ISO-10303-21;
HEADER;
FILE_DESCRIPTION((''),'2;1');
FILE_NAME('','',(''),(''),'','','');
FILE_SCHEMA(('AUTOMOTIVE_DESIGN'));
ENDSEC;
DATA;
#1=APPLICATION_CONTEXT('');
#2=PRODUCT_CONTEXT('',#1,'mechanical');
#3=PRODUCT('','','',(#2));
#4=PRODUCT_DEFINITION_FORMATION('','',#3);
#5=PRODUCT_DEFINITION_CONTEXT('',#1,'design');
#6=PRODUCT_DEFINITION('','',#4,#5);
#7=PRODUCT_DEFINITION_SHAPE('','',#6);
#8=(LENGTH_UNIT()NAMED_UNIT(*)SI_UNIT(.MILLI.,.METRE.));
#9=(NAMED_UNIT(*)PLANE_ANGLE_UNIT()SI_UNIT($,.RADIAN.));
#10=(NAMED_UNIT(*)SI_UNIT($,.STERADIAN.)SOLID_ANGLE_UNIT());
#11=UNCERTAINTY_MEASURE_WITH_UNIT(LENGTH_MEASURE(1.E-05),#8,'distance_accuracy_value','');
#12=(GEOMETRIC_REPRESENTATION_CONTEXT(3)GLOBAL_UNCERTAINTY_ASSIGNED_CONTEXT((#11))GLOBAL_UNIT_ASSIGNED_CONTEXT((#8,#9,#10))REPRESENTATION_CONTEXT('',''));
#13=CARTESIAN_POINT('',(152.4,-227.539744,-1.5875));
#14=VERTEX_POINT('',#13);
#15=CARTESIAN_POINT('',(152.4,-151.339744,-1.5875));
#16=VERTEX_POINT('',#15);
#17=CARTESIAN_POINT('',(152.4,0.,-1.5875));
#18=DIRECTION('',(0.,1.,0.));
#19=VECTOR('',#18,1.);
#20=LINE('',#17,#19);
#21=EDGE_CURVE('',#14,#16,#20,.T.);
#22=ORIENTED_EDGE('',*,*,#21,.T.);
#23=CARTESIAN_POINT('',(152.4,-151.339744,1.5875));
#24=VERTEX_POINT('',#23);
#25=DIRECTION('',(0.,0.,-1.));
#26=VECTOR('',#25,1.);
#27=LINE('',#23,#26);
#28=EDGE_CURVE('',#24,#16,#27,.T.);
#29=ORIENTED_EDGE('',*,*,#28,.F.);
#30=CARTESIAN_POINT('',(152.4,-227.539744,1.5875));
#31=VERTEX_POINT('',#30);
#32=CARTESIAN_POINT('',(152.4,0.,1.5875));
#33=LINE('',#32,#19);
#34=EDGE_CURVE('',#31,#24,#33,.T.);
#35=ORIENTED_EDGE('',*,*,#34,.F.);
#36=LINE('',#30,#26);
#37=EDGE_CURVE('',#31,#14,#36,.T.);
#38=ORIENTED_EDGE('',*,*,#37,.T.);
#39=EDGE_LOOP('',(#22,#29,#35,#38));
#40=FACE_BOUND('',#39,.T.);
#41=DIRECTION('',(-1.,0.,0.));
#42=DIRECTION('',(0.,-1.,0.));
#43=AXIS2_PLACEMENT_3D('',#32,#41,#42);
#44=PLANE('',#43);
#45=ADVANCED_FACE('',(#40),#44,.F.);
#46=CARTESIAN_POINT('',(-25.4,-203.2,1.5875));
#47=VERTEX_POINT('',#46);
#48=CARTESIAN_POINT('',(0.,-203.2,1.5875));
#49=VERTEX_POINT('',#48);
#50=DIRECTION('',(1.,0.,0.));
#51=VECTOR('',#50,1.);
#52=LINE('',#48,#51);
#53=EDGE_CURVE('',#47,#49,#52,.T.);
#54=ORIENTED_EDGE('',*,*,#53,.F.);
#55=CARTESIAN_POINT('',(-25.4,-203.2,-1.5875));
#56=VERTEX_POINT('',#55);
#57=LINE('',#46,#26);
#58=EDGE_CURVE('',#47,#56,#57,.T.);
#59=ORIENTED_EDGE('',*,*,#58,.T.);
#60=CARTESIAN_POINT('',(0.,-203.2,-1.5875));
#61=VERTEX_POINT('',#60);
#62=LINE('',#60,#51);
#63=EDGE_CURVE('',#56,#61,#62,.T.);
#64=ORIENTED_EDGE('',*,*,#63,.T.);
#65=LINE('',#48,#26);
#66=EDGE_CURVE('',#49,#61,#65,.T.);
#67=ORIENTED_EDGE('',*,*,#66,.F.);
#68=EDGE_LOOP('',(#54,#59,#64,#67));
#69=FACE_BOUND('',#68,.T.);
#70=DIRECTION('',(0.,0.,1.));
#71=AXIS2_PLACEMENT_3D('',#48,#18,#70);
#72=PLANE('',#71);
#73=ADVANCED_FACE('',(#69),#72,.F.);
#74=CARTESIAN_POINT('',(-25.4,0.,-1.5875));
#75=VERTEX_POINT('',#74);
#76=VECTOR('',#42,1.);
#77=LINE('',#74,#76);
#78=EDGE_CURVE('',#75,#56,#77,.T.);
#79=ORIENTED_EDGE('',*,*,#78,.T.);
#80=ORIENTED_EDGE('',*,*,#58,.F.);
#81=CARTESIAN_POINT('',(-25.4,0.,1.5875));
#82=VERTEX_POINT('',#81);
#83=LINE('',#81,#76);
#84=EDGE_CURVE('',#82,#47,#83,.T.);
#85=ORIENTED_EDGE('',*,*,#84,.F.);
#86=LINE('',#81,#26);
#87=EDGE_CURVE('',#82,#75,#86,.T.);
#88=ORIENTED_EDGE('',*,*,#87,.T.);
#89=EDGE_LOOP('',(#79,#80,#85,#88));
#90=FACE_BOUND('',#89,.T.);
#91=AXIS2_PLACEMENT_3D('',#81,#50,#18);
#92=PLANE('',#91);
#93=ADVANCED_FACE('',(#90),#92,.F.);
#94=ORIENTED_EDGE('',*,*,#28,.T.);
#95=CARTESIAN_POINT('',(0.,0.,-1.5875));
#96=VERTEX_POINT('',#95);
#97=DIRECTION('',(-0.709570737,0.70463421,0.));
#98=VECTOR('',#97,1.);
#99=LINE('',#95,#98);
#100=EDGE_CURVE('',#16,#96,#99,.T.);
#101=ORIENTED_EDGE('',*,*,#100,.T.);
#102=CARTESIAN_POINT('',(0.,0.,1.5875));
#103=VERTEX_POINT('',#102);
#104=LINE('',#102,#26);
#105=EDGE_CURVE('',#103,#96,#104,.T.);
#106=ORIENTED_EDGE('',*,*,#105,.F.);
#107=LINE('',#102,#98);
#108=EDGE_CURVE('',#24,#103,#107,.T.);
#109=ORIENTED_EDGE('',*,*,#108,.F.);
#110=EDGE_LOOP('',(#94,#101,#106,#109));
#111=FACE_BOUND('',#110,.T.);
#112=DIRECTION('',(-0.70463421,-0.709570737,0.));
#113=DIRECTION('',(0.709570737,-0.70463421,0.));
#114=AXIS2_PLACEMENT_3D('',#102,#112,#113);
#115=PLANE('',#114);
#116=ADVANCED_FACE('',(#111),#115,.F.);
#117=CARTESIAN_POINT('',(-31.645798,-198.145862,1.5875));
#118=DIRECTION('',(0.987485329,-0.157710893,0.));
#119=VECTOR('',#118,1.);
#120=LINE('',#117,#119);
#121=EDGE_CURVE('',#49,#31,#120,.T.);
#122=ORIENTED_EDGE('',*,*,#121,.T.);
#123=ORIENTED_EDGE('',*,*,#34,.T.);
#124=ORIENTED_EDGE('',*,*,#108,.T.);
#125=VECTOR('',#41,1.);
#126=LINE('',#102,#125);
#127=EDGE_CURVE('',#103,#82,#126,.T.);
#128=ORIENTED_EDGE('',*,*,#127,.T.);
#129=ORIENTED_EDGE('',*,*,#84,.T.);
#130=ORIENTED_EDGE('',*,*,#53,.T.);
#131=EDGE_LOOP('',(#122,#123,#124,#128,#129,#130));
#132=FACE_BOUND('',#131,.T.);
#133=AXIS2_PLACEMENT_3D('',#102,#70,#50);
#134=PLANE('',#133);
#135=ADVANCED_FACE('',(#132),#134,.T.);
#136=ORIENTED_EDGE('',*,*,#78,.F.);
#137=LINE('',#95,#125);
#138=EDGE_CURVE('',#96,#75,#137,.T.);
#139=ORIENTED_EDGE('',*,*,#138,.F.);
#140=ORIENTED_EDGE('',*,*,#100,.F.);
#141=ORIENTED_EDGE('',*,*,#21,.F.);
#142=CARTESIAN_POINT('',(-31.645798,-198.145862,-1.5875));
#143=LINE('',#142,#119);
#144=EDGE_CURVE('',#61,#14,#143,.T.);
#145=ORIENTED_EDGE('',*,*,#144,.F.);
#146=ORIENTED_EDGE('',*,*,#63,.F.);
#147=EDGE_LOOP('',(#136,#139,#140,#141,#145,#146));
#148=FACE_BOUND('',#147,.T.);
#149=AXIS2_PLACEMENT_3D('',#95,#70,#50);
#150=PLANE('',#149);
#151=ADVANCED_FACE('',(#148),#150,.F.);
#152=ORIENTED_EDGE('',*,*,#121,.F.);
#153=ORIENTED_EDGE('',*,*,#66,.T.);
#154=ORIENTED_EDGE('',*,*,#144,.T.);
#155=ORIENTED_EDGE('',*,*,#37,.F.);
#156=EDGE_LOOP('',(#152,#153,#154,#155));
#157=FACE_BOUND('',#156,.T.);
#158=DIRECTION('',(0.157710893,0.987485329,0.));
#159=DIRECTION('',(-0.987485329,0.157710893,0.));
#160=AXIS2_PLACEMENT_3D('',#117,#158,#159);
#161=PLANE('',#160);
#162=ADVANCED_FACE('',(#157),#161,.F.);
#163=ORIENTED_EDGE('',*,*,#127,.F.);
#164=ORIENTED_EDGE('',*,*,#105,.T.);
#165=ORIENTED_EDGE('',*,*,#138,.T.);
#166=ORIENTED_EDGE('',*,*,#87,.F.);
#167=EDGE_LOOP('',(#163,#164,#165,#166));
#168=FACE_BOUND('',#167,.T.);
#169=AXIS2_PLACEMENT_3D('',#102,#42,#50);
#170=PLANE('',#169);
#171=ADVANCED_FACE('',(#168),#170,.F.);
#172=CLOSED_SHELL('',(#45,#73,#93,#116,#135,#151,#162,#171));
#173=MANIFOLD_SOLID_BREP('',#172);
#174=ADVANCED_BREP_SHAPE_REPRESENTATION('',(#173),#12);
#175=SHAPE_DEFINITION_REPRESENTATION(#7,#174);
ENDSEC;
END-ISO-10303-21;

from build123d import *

# Parameters (mm, degrees)
SKETCH1_W           = 25.4
SKETCH1_H           = 203.2
BOSS_EXTRUDE1_DEPTH = 1.5875


with BuildPart() as part:
    # Sketch1 → Boss-Extrude1 (new body, symmetric)
    with BuildSketch(Plane.XY):
        with Locations((-12.7, -101.6)):
            Rectangle(SKETCH1_W, SKETCH1_H)
        Polygon((152.4, -227.539743973), (152.4, -151.339743973), (0, 0), (0, -203.2), align=None)
    extrude(amount=BOSS_EXTRUDE1_DEPTH, both=True)


solid = part.part
